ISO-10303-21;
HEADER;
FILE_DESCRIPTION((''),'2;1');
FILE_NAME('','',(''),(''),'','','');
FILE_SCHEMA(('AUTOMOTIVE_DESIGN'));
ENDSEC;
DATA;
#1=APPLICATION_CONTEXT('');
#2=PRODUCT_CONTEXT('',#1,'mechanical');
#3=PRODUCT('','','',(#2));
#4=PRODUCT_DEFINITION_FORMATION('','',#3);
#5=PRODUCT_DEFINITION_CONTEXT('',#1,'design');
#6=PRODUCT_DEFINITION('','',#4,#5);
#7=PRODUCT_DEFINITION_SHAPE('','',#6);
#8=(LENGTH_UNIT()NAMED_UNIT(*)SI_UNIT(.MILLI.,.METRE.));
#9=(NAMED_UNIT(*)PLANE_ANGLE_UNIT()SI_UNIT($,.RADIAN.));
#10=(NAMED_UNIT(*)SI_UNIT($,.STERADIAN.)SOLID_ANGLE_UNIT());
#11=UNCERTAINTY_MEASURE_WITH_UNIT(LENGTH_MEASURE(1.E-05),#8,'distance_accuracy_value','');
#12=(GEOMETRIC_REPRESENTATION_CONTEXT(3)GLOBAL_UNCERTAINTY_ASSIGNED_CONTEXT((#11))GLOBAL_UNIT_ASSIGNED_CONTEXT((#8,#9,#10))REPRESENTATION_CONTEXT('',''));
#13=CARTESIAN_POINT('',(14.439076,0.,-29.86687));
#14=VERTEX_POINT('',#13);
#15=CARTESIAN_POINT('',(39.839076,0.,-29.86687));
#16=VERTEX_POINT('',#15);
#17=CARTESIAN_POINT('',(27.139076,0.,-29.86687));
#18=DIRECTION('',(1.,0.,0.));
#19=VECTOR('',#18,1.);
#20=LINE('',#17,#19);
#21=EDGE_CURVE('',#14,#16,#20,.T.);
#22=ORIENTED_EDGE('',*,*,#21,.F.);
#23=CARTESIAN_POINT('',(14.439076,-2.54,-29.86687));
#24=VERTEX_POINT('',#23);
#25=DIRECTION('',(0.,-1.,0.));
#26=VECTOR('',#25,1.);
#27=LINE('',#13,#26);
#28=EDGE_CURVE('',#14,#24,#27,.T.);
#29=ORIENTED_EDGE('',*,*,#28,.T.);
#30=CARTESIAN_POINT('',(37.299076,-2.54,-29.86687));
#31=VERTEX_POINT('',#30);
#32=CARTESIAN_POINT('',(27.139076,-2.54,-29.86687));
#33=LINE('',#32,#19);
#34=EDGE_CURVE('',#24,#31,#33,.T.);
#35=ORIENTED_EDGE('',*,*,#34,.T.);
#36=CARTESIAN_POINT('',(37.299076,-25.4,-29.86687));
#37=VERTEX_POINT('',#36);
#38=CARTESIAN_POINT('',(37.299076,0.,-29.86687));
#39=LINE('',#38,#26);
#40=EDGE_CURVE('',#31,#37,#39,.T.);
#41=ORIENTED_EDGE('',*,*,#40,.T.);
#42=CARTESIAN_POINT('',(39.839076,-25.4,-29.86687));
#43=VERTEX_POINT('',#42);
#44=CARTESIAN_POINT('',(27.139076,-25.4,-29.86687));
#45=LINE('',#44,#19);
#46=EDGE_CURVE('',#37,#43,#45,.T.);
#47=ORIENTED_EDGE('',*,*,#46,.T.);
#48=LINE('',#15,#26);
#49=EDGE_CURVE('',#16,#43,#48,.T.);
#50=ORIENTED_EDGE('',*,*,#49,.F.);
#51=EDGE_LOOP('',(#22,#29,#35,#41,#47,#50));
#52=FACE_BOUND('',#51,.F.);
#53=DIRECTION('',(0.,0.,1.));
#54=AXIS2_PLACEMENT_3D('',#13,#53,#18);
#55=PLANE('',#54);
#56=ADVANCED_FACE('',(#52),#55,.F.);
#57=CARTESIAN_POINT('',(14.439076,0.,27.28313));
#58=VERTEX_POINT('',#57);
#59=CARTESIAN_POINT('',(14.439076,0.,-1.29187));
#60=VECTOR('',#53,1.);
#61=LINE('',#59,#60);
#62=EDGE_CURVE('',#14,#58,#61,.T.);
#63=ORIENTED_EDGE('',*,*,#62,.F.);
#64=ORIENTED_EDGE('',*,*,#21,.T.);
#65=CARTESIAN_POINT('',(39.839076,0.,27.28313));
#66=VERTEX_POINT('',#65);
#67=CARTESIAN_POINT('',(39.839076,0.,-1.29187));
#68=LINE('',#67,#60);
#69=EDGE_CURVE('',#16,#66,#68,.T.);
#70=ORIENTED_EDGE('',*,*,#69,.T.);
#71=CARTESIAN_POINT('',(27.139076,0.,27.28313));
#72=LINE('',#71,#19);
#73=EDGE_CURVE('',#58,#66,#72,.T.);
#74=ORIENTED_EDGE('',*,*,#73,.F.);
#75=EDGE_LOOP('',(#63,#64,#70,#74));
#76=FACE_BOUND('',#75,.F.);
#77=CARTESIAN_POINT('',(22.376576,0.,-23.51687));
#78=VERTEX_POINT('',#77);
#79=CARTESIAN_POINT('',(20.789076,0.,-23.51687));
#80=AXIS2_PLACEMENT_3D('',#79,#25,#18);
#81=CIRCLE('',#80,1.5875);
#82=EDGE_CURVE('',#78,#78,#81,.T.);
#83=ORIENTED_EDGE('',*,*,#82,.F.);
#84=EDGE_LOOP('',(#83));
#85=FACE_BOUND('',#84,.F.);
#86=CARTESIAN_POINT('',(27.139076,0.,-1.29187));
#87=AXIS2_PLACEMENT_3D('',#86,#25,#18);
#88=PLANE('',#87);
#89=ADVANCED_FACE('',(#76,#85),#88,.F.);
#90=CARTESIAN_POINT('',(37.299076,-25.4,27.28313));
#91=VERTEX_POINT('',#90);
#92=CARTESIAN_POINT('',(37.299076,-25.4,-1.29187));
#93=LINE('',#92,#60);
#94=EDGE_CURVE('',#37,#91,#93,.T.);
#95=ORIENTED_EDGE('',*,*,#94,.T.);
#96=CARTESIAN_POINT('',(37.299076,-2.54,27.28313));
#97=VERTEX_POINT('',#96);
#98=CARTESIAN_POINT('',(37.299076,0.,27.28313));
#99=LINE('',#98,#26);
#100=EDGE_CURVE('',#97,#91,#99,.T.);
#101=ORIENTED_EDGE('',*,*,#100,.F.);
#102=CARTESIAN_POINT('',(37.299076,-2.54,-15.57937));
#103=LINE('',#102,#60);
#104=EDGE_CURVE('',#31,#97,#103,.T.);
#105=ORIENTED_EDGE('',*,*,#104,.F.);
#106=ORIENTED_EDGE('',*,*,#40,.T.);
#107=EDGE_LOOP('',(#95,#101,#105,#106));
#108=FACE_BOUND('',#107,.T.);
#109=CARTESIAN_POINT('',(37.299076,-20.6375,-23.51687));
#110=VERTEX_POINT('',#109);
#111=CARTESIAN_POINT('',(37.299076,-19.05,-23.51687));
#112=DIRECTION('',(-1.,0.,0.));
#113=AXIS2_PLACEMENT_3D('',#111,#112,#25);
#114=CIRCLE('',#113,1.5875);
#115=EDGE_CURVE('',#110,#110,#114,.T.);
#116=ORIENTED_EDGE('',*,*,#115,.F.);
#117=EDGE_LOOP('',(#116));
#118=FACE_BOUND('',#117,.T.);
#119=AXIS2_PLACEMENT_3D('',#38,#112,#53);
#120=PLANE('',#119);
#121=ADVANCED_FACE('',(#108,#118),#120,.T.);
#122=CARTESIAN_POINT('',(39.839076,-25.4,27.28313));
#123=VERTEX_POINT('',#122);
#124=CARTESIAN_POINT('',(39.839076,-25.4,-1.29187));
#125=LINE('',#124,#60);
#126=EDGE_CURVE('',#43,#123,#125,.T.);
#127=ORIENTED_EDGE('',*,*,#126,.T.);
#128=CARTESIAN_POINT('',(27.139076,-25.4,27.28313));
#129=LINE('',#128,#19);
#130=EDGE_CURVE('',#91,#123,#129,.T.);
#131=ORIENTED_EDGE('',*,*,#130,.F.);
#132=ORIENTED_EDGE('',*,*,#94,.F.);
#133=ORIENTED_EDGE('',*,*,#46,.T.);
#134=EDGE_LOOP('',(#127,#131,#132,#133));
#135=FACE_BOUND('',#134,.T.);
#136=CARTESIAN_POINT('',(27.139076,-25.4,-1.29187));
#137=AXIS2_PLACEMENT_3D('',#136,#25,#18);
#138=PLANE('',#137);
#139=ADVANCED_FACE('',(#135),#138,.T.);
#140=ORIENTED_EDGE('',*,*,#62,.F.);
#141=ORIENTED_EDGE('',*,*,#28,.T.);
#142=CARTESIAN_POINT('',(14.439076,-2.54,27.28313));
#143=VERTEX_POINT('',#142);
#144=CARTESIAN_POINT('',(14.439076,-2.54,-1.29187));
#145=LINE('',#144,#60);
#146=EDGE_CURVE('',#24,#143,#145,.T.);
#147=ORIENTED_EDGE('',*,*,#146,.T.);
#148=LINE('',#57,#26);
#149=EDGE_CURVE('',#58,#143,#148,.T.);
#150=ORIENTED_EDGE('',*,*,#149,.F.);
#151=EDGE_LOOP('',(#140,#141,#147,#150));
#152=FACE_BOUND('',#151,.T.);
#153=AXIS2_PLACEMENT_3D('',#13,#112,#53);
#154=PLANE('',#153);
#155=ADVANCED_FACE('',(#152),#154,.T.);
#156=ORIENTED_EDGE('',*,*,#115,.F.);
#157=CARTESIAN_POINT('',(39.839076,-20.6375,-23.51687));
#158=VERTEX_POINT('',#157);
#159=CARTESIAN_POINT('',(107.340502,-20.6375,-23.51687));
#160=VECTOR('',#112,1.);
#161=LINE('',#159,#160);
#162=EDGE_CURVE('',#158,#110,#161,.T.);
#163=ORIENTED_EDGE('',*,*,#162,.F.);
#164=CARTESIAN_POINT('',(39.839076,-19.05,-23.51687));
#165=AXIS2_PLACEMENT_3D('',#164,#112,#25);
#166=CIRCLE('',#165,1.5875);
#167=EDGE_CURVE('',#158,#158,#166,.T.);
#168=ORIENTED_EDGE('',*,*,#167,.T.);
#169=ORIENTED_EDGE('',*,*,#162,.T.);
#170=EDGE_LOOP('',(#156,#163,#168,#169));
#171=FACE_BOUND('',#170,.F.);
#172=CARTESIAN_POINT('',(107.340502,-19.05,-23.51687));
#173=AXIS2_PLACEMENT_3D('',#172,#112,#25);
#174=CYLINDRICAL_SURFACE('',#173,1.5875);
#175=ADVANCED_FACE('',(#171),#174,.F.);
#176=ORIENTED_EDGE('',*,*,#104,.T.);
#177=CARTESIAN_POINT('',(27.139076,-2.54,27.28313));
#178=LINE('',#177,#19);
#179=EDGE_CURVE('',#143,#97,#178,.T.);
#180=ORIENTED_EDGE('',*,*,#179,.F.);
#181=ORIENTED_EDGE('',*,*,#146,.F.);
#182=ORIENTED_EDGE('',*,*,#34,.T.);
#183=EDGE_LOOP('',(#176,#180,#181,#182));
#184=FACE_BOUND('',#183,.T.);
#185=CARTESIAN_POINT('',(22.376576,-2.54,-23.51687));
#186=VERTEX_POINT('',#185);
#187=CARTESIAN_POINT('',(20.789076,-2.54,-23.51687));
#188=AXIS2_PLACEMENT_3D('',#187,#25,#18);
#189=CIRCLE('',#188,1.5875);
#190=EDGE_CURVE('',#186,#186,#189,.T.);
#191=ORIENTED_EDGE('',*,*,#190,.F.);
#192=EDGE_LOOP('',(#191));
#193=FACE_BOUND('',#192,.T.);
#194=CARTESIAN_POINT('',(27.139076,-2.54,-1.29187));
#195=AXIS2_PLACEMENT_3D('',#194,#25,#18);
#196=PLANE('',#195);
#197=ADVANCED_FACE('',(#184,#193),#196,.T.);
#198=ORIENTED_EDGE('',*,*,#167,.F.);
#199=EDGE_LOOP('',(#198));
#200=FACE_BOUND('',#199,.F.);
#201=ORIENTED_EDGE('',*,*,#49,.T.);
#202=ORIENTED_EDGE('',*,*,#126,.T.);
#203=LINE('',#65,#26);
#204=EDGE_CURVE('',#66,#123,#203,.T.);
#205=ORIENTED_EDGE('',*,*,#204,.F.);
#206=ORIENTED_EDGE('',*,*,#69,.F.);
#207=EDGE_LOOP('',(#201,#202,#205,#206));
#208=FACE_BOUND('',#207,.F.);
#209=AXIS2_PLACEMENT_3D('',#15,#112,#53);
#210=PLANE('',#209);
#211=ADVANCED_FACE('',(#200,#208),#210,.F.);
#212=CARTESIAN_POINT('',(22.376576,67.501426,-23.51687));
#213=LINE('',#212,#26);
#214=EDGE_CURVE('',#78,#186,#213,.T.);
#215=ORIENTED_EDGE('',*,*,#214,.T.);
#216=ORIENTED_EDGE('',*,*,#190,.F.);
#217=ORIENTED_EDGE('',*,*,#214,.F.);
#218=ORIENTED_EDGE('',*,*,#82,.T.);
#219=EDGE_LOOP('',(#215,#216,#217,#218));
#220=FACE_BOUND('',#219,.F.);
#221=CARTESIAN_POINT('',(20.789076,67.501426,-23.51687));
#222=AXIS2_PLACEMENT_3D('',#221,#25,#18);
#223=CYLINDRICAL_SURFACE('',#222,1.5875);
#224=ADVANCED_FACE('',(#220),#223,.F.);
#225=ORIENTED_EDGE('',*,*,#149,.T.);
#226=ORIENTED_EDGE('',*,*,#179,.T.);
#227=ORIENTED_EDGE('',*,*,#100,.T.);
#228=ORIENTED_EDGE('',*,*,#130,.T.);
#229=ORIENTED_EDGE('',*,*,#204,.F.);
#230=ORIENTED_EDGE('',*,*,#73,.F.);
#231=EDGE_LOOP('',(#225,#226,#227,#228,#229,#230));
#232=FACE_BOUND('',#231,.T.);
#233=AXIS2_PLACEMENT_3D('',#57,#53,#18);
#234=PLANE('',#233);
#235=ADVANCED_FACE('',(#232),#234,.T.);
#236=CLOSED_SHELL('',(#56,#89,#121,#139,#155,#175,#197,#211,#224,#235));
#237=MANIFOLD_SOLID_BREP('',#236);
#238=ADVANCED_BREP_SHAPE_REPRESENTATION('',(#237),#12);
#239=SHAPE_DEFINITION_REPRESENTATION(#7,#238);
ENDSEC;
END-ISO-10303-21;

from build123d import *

# Parameters (mm, degrees)
F0_W     = 25.4
F0_H     = 57.15
F1_DEPTH = 25.4
F2_T     = -2.54
F4_D     = 3.175
F6_D     = 3.175


with BuildPart() as f1:
    # F0 (on Front) → F1 (new body)
    with BuildSketch(Plane.XZ):
        with Locations((27.139076, -1.29187)):
            Rectangle(F0_W, F0_H)
    extrude(amount=F1_DEPTH)

    # F2
    f2_openings = [f1.faces().sort_by_distance(p)[0] for p in [
        (27.139076, -12.7, 27.28313),
        (27.139076, -25.4, -1.29187),
        (14.439076, -12.7, -1.29187),
        (27.139076, -12.7, -29.86687),
    ]]
    offset(amount=F2_T, openings=f2_openings)

    # F4 (through all)
    with Locations(Plane.YZ.offset(39.839076)):
        with Locations((-19.05, -23.51687)):
            Hole(F4_D / 2)

    # F6 (through all)
    with Locations(Plane(origin=(0, 0, 0), x_dir=(-1, 0, 0), z_dir=(0, 1, 0))):
        with Locations((-20.789076, -23.51687)):
            Hole(F6_D / 2)


solid = f1.part
